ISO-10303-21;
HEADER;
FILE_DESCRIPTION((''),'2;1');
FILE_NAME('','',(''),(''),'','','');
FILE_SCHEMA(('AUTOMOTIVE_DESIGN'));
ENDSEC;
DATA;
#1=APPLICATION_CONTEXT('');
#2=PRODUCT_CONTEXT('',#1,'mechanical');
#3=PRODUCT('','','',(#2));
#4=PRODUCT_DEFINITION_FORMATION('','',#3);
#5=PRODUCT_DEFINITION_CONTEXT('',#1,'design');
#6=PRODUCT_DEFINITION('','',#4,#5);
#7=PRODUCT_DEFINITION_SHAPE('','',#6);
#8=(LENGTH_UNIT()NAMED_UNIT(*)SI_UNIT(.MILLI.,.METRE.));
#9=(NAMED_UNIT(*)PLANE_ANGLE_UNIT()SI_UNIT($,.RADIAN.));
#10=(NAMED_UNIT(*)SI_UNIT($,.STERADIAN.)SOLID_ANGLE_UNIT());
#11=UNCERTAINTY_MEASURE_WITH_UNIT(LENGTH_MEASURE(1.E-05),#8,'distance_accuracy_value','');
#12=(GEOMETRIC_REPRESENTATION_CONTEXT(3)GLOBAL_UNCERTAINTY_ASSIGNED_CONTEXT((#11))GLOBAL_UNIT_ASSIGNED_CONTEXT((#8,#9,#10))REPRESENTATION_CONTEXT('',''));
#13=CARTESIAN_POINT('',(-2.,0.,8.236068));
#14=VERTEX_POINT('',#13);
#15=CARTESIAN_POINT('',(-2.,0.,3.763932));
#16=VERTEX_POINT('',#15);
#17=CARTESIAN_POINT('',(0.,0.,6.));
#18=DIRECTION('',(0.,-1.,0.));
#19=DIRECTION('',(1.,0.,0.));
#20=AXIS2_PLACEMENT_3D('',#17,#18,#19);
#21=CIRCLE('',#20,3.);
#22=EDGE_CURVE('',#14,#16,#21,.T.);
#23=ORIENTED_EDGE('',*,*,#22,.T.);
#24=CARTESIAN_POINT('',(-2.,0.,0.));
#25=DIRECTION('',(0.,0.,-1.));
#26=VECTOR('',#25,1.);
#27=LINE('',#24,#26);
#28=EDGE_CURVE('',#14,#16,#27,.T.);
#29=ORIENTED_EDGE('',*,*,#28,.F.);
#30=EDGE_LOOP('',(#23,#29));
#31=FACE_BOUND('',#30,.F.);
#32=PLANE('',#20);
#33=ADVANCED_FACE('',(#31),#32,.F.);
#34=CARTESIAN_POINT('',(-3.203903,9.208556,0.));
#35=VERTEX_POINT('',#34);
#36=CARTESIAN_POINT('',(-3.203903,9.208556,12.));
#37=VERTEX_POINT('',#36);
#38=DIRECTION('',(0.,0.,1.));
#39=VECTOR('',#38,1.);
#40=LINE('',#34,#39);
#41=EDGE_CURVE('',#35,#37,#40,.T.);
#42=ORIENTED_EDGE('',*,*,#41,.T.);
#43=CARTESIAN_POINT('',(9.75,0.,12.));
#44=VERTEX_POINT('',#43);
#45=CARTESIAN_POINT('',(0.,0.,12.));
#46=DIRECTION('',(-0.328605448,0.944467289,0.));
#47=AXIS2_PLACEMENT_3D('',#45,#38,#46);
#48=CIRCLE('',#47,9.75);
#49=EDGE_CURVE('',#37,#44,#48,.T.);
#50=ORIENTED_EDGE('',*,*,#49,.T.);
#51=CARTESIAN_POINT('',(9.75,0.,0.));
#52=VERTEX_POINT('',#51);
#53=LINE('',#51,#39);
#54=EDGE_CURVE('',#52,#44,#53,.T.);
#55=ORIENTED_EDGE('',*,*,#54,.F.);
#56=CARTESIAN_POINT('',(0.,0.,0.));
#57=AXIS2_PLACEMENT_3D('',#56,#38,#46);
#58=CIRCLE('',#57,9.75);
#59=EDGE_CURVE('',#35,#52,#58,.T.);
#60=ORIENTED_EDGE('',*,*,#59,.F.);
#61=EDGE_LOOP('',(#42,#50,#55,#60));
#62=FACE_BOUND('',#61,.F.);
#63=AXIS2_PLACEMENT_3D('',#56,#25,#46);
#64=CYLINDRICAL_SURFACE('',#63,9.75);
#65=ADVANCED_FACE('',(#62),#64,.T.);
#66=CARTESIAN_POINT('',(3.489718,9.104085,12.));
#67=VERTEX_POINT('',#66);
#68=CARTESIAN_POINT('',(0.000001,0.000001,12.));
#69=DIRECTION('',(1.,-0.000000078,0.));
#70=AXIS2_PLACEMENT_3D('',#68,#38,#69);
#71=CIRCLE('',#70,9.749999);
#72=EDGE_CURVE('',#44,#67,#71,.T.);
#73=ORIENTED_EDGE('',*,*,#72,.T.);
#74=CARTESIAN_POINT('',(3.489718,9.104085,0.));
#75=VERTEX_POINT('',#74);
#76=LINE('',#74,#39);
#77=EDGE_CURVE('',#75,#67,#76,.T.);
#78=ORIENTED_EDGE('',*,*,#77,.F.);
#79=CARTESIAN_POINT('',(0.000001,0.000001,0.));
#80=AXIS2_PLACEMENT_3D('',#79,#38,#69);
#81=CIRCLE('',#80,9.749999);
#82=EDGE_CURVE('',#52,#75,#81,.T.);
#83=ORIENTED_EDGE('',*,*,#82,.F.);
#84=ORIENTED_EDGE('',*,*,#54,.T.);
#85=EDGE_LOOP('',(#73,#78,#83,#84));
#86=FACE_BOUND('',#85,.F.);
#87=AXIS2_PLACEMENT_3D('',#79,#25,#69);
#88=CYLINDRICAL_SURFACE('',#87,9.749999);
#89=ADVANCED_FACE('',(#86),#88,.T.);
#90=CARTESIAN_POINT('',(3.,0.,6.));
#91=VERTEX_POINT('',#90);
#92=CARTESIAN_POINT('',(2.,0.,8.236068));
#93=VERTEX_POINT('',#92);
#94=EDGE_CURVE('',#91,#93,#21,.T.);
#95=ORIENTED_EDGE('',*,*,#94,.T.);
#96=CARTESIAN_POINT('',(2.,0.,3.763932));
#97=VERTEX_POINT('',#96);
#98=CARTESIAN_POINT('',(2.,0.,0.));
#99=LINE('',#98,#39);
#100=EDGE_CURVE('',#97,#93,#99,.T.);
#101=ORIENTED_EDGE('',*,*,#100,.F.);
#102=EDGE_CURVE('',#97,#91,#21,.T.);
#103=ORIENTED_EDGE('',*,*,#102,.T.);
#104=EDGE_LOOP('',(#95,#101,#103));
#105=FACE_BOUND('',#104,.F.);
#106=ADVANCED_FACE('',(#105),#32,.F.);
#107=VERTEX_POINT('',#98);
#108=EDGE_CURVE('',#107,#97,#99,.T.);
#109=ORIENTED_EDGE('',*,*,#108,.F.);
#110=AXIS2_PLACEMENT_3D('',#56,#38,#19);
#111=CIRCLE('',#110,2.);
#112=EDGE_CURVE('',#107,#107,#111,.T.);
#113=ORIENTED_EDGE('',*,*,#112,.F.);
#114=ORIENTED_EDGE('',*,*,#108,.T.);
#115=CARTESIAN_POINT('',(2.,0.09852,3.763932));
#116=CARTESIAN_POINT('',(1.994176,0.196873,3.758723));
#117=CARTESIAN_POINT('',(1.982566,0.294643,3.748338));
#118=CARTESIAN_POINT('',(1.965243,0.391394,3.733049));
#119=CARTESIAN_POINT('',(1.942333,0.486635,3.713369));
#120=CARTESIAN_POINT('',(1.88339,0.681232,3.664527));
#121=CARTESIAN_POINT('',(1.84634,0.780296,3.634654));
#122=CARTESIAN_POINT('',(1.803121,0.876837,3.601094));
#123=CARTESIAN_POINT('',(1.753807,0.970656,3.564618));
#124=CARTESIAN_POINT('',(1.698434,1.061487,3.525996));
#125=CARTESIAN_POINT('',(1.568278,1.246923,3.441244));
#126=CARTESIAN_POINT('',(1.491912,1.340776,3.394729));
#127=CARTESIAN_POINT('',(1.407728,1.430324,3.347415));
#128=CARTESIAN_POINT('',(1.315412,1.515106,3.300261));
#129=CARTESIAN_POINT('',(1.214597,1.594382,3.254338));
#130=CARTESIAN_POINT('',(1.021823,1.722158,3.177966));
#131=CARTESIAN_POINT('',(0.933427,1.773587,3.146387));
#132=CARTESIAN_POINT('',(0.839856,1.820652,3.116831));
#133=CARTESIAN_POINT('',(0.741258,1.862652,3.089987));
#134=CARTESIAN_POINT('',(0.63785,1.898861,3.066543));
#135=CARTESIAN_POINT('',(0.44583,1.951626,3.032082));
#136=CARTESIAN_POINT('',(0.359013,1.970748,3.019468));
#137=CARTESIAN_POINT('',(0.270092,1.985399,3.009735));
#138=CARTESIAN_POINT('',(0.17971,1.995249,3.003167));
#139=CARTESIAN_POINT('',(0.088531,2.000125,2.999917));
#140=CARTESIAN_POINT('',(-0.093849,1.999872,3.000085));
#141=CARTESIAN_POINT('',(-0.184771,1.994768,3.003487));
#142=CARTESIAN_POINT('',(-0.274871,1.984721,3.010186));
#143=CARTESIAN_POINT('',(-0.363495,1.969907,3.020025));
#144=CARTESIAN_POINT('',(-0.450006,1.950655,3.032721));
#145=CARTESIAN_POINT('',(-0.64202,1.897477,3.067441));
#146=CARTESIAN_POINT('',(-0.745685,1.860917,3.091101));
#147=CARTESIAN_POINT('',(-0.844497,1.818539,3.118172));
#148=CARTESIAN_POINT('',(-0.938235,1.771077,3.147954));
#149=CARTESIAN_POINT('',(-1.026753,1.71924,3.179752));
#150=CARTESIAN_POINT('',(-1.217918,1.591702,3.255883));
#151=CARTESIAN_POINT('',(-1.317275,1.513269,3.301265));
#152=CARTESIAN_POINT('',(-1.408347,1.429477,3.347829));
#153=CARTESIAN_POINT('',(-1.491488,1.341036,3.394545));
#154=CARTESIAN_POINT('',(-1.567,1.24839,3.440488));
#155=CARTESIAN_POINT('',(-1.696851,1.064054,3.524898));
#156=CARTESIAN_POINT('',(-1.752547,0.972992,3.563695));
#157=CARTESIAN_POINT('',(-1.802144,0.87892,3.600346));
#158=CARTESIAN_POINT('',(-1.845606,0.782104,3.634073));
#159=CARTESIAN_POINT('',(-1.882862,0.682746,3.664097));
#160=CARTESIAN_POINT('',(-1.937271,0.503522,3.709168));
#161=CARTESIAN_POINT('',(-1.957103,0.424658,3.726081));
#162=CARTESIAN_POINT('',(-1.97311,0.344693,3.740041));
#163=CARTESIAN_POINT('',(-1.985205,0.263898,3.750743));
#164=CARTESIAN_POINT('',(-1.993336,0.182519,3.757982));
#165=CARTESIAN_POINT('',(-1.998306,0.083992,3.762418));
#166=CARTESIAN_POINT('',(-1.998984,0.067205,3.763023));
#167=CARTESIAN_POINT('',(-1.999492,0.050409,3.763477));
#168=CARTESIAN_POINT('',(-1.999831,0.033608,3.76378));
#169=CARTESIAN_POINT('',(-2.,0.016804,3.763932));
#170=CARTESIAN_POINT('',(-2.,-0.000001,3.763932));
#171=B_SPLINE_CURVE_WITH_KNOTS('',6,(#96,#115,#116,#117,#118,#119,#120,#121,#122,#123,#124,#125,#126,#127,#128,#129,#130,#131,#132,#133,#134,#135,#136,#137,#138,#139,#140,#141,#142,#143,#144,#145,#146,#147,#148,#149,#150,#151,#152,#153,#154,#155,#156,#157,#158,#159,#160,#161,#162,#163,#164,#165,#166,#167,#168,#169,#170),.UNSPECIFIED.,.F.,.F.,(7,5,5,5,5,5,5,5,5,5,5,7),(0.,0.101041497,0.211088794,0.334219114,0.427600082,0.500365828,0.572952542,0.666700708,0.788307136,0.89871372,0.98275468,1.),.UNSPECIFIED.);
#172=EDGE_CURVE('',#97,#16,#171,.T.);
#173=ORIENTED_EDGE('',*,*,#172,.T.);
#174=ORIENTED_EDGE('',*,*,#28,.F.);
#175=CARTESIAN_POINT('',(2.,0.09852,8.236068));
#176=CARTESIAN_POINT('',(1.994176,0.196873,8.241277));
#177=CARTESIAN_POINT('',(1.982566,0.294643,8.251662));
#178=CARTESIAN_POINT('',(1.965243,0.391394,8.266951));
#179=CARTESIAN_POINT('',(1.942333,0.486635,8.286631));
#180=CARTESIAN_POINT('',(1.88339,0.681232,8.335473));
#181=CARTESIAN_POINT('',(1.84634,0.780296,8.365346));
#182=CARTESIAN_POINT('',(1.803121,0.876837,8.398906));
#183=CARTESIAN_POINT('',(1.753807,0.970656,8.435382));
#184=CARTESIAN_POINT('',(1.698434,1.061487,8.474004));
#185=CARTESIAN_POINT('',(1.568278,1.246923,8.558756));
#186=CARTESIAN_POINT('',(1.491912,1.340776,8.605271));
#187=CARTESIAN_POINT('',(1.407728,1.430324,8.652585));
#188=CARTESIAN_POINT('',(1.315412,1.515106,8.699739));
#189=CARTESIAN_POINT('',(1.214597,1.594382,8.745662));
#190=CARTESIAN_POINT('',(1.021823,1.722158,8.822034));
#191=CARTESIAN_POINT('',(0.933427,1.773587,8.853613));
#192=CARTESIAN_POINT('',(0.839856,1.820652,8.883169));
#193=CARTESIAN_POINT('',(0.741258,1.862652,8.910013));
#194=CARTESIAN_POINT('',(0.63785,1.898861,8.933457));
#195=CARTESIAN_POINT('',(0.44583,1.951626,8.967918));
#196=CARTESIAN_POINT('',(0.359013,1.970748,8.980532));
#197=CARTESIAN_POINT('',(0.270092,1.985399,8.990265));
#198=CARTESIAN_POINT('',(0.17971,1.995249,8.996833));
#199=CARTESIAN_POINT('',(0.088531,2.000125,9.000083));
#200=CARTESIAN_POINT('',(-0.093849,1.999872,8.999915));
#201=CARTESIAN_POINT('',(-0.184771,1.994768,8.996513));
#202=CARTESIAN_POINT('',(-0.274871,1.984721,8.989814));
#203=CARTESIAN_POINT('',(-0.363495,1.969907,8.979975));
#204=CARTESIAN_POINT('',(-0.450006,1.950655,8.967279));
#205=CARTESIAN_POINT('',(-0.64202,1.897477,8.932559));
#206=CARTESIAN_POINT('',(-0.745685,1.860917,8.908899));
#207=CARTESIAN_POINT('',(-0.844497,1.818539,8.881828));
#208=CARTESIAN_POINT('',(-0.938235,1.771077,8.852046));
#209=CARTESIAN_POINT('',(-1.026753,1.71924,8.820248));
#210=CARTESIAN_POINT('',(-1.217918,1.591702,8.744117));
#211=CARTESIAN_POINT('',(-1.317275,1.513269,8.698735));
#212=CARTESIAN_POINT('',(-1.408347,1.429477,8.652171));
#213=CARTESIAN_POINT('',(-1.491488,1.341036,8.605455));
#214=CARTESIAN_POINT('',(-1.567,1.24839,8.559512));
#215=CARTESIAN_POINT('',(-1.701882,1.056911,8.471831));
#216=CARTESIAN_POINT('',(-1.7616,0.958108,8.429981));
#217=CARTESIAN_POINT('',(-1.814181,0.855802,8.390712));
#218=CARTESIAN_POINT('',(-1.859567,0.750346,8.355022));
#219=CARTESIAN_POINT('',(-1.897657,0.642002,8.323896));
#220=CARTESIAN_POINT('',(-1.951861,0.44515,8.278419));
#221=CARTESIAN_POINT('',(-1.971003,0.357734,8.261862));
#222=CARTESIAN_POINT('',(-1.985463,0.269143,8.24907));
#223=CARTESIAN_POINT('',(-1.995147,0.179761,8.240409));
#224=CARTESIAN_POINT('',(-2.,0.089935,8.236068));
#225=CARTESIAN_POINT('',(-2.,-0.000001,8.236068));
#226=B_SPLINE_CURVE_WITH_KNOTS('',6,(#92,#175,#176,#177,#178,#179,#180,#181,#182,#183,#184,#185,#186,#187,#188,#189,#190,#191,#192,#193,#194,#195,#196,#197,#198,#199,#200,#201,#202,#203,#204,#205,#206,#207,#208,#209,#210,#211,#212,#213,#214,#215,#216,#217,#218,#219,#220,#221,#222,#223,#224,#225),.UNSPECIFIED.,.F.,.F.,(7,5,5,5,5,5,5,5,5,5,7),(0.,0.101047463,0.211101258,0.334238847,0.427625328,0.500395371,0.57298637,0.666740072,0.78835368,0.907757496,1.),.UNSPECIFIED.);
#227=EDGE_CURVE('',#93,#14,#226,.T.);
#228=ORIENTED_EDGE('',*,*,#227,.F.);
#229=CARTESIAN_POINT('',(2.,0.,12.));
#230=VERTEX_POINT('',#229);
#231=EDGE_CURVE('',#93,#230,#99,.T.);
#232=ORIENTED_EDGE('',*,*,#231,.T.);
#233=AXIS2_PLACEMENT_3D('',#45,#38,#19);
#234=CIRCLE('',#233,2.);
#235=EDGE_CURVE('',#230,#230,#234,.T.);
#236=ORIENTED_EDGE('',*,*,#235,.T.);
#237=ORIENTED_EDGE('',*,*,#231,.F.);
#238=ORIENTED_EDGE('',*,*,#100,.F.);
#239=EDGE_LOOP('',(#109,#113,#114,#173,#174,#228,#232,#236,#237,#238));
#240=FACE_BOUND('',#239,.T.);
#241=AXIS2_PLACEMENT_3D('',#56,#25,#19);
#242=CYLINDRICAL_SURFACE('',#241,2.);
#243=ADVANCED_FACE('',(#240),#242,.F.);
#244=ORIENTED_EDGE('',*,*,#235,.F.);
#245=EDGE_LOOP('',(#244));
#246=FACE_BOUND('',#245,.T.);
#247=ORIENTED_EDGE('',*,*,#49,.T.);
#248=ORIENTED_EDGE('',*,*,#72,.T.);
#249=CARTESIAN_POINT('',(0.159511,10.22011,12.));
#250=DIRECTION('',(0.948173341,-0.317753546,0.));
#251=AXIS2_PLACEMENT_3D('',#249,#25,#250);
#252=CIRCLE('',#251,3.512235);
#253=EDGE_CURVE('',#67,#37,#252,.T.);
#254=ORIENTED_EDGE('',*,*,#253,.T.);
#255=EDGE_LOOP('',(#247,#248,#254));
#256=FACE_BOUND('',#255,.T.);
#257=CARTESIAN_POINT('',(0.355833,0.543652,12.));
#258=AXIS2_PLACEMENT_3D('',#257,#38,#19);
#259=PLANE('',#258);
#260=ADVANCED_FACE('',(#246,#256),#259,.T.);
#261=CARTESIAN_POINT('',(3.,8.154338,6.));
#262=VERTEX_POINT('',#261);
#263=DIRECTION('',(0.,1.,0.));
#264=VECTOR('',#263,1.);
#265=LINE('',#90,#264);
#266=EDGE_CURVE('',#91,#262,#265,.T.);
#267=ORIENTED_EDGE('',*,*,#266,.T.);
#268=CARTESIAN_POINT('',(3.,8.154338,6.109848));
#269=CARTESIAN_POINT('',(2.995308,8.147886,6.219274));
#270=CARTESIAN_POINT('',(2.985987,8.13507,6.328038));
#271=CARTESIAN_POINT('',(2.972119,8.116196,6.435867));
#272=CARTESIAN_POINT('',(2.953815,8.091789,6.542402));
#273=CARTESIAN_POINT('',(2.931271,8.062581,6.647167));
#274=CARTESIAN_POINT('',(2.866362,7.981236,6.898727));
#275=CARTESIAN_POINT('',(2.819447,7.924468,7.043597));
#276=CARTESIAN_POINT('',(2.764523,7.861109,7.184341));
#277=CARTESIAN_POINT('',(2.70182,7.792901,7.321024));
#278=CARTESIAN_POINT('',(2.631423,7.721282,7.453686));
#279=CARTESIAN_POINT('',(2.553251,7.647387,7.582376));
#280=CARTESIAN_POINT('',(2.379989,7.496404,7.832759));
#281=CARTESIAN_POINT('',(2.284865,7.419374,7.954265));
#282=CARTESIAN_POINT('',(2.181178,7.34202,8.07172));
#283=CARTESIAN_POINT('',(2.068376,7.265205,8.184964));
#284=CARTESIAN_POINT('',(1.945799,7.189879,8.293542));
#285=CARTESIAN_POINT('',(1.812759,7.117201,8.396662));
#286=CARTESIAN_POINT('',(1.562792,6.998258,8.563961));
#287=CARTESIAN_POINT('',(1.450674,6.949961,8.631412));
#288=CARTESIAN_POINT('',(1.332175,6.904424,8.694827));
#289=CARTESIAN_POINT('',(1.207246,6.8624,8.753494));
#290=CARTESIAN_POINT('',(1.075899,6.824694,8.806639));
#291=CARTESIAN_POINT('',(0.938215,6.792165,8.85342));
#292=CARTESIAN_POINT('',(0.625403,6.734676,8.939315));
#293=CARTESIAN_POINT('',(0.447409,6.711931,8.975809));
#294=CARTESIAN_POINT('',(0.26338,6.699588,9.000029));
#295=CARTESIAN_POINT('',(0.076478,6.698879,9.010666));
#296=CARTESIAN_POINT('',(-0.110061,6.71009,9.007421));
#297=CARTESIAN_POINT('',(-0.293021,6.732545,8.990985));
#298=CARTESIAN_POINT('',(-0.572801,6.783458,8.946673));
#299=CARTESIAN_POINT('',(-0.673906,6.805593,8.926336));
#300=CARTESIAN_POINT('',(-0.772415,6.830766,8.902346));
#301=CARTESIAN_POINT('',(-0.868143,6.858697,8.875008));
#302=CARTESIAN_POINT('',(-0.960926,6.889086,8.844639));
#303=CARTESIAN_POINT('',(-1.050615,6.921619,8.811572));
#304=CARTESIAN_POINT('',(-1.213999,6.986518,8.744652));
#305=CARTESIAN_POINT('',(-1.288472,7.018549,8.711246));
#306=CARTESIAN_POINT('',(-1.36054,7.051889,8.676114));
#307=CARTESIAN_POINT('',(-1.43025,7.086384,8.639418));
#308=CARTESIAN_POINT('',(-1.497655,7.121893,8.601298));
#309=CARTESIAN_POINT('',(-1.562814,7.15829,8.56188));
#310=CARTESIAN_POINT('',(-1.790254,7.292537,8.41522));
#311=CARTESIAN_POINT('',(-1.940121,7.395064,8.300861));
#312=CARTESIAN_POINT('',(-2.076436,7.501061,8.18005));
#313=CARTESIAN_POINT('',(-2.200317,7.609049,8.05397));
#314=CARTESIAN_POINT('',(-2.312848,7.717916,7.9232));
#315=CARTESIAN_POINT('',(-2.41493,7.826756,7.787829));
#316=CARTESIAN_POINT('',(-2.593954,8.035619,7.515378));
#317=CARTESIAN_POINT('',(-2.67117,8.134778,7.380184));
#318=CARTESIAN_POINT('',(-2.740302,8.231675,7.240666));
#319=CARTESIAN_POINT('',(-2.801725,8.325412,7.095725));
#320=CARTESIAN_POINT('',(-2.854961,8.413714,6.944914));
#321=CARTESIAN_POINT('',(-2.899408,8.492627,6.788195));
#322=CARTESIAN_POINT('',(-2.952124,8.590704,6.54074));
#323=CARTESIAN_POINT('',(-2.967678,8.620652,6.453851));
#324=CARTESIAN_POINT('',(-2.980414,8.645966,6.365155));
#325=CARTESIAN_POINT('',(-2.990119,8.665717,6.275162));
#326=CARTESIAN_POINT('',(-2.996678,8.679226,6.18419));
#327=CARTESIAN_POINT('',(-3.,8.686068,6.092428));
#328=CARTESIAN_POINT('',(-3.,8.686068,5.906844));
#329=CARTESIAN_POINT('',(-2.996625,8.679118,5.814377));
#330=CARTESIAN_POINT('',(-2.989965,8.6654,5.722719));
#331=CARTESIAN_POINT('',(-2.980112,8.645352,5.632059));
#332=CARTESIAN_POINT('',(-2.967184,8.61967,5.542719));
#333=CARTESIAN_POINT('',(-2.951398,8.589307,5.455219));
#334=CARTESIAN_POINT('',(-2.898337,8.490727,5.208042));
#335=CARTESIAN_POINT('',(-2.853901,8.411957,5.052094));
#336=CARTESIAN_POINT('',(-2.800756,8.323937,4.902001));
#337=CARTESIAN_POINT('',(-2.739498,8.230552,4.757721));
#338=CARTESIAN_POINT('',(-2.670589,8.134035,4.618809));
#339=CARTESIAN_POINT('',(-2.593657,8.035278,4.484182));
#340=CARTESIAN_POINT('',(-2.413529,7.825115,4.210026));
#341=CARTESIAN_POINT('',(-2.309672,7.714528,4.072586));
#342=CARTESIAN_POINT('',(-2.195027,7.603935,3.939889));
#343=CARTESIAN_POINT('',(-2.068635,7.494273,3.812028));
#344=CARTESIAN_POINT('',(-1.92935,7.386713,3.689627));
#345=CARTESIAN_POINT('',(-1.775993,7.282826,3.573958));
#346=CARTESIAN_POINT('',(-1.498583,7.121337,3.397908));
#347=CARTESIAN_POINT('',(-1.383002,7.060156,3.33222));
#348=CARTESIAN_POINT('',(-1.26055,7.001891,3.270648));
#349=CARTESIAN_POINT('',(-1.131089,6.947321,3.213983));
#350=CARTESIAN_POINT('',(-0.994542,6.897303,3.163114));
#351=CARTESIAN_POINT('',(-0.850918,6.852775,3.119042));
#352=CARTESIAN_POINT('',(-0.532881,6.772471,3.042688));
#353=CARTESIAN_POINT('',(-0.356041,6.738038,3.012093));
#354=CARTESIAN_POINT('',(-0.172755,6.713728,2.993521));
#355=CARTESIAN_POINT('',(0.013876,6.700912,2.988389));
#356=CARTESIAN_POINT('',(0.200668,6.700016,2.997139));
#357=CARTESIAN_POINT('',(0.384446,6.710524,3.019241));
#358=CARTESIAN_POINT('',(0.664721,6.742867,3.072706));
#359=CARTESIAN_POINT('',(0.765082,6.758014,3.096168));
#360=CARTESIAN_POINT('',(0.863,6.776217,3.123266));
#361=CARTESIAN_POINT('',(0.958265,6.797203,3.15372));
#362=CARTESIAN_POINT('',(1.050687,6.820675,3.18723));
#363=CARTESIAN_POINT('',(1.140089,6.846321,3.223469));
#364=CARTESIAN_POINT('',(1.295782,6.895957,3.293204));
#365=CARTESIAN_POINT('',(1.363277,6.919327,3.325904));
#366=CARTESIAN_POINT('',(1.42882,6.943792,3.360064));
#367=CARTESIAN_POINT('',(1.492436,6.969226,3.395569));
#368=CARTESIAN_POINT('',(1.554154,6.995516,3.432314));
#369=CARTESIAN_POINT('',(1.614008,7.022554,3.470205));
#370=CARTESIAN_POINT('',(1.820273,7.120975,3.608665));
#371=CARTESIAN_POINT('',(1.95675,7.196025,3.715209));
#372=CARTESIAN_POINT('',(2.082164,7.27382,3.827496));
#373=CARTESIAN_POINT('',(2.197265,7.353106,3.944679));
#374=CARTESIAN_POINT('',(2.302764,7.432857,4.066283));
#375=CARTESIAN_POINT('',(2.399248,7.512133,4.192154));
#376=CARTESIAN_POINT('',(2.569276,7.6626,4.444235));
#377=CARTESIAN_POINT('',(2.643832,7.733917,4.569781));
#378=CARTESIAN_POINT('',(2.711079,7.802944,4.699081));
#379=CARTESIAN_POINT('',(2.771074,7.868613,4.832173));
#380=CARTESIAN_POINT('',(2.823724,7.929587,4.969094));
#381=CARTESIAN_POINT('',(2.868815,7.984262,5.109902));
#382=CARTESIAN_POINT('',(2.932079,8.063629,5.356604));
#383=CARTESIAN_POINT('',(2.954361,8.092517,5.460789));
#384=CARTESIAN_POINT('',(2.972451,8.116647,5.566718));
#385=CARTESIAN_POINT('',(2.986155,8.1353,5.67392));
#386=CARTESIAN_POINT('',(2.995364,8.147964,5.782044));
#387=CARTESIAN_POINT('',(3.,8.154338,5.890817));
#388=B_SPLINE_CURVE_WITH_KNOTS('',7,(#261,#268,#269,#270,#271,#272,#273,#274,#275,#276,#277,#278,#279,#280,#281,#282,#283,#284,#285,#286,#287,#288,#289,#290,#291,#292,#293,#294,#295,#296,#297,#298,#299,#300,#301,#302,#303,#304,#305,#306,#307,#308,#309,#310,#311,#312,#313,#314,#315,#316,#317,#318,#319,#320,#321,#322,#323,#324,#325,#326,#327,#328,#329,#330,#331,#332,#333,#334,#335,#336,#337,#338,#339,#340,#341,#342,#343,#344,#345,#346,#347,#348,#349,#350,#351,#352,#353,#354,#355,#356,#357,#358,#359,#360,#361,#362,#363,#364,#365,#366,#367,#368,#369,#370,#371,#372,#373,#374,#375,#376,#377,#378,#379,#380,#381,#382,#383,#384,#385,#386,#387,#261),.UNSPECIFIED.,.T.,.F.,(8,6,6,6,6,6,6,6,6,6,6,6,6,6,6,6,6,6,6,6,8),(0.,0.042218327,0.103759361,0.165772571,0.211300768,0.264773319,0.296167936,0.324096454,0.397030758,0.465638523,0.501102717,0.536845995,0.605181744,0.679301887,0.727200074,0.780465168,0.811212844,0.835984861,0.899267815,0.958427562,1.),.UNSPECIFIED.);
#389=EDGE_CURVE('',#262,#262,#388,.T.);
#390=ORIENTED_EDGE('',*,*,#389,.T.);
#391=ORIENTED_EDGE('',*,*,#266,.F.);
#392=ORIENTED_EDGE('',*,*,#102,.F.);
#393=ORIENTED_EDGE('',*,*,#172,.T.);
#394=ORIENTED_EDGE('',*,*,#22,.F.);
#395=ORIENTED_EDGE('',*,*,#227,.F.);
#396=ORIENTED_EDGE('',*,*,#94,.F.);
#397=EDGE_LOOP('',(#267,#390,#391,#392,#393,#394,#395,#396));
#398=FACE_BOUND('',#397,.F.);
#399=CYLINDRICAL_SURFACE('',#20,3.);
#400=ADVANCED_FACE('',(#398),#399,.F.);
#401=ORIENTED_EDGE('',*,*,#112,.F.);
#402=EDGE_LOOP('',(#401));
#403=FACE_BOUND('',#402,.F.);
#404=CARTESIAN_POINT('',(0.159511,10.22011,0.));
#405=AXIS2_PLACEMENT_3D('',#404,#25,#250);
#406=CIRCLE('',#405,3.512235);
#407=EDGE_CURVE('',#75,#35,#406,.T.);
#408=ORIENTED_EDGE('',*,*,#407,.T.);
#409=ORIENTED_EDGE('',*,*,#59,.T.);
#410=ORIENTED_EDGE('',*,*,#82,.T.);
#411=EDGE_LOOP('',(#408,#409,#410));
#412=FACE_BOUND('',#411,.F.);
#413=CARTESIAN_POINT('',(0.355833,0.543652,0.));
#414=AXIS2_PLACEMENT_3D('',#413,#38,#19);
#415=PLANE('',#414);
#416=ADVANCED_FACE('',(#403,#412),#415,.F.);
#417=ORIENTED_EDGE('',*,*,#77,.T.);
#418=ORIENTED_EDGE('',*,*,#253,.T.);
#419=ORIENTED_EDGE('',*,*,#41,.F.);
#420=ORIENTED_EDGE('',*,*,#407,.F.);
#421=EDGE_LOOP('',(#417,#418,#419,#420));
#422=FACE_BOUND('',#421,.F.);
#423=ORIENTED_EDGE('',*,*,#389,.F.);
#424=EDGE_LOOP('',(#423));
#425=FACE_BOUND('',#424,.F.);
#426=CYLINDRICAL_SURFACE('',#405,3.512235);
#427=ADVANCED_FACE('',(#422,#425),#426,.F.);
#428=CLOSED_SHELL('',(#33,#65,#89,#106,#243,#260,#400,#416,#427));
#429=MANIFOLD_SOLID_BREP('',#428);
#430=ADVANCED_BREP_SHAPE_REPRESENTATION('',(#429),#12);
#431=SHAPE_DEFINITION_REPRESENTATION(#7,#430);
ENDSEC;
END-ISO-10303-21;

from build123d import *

# Parameters (mm, degrees)
F0_R     = 2
F1_DEPTH = 12
F2_R     = 3
F3_DEPTH = 25


with BuildPart() as f1:
    # F0 (on Top) → F1 (new body)
    with BuildSketch(Plane.XY):
        with BuildLine():
            ThreePointArc((-3.203903, 9.208556), (-5.64909, -7.946715), (9.75, 0))
            ThreePointArc((9.75, 0), (8.033905, 5.524389), (3.489718, 9.104085))
            ThreePointArc((3.489718, 9.104085), (0.1047, 6.708303), (-3.203903, 9.208556))
        make_face()
        Circle(F0_R, mode=Mode.SUBTRACT)
    extrude(amount=F1_DEPTH)

    # F2 (on Front) → F3 (cut)
    with BuildSketch(Plane.XZ):
        with Locations((0, 6)):
            Circle(F2_R)
    extrude(amount=-F3_DEPTH, mode=Mode.SUBTRACT)


solid = f1.part
